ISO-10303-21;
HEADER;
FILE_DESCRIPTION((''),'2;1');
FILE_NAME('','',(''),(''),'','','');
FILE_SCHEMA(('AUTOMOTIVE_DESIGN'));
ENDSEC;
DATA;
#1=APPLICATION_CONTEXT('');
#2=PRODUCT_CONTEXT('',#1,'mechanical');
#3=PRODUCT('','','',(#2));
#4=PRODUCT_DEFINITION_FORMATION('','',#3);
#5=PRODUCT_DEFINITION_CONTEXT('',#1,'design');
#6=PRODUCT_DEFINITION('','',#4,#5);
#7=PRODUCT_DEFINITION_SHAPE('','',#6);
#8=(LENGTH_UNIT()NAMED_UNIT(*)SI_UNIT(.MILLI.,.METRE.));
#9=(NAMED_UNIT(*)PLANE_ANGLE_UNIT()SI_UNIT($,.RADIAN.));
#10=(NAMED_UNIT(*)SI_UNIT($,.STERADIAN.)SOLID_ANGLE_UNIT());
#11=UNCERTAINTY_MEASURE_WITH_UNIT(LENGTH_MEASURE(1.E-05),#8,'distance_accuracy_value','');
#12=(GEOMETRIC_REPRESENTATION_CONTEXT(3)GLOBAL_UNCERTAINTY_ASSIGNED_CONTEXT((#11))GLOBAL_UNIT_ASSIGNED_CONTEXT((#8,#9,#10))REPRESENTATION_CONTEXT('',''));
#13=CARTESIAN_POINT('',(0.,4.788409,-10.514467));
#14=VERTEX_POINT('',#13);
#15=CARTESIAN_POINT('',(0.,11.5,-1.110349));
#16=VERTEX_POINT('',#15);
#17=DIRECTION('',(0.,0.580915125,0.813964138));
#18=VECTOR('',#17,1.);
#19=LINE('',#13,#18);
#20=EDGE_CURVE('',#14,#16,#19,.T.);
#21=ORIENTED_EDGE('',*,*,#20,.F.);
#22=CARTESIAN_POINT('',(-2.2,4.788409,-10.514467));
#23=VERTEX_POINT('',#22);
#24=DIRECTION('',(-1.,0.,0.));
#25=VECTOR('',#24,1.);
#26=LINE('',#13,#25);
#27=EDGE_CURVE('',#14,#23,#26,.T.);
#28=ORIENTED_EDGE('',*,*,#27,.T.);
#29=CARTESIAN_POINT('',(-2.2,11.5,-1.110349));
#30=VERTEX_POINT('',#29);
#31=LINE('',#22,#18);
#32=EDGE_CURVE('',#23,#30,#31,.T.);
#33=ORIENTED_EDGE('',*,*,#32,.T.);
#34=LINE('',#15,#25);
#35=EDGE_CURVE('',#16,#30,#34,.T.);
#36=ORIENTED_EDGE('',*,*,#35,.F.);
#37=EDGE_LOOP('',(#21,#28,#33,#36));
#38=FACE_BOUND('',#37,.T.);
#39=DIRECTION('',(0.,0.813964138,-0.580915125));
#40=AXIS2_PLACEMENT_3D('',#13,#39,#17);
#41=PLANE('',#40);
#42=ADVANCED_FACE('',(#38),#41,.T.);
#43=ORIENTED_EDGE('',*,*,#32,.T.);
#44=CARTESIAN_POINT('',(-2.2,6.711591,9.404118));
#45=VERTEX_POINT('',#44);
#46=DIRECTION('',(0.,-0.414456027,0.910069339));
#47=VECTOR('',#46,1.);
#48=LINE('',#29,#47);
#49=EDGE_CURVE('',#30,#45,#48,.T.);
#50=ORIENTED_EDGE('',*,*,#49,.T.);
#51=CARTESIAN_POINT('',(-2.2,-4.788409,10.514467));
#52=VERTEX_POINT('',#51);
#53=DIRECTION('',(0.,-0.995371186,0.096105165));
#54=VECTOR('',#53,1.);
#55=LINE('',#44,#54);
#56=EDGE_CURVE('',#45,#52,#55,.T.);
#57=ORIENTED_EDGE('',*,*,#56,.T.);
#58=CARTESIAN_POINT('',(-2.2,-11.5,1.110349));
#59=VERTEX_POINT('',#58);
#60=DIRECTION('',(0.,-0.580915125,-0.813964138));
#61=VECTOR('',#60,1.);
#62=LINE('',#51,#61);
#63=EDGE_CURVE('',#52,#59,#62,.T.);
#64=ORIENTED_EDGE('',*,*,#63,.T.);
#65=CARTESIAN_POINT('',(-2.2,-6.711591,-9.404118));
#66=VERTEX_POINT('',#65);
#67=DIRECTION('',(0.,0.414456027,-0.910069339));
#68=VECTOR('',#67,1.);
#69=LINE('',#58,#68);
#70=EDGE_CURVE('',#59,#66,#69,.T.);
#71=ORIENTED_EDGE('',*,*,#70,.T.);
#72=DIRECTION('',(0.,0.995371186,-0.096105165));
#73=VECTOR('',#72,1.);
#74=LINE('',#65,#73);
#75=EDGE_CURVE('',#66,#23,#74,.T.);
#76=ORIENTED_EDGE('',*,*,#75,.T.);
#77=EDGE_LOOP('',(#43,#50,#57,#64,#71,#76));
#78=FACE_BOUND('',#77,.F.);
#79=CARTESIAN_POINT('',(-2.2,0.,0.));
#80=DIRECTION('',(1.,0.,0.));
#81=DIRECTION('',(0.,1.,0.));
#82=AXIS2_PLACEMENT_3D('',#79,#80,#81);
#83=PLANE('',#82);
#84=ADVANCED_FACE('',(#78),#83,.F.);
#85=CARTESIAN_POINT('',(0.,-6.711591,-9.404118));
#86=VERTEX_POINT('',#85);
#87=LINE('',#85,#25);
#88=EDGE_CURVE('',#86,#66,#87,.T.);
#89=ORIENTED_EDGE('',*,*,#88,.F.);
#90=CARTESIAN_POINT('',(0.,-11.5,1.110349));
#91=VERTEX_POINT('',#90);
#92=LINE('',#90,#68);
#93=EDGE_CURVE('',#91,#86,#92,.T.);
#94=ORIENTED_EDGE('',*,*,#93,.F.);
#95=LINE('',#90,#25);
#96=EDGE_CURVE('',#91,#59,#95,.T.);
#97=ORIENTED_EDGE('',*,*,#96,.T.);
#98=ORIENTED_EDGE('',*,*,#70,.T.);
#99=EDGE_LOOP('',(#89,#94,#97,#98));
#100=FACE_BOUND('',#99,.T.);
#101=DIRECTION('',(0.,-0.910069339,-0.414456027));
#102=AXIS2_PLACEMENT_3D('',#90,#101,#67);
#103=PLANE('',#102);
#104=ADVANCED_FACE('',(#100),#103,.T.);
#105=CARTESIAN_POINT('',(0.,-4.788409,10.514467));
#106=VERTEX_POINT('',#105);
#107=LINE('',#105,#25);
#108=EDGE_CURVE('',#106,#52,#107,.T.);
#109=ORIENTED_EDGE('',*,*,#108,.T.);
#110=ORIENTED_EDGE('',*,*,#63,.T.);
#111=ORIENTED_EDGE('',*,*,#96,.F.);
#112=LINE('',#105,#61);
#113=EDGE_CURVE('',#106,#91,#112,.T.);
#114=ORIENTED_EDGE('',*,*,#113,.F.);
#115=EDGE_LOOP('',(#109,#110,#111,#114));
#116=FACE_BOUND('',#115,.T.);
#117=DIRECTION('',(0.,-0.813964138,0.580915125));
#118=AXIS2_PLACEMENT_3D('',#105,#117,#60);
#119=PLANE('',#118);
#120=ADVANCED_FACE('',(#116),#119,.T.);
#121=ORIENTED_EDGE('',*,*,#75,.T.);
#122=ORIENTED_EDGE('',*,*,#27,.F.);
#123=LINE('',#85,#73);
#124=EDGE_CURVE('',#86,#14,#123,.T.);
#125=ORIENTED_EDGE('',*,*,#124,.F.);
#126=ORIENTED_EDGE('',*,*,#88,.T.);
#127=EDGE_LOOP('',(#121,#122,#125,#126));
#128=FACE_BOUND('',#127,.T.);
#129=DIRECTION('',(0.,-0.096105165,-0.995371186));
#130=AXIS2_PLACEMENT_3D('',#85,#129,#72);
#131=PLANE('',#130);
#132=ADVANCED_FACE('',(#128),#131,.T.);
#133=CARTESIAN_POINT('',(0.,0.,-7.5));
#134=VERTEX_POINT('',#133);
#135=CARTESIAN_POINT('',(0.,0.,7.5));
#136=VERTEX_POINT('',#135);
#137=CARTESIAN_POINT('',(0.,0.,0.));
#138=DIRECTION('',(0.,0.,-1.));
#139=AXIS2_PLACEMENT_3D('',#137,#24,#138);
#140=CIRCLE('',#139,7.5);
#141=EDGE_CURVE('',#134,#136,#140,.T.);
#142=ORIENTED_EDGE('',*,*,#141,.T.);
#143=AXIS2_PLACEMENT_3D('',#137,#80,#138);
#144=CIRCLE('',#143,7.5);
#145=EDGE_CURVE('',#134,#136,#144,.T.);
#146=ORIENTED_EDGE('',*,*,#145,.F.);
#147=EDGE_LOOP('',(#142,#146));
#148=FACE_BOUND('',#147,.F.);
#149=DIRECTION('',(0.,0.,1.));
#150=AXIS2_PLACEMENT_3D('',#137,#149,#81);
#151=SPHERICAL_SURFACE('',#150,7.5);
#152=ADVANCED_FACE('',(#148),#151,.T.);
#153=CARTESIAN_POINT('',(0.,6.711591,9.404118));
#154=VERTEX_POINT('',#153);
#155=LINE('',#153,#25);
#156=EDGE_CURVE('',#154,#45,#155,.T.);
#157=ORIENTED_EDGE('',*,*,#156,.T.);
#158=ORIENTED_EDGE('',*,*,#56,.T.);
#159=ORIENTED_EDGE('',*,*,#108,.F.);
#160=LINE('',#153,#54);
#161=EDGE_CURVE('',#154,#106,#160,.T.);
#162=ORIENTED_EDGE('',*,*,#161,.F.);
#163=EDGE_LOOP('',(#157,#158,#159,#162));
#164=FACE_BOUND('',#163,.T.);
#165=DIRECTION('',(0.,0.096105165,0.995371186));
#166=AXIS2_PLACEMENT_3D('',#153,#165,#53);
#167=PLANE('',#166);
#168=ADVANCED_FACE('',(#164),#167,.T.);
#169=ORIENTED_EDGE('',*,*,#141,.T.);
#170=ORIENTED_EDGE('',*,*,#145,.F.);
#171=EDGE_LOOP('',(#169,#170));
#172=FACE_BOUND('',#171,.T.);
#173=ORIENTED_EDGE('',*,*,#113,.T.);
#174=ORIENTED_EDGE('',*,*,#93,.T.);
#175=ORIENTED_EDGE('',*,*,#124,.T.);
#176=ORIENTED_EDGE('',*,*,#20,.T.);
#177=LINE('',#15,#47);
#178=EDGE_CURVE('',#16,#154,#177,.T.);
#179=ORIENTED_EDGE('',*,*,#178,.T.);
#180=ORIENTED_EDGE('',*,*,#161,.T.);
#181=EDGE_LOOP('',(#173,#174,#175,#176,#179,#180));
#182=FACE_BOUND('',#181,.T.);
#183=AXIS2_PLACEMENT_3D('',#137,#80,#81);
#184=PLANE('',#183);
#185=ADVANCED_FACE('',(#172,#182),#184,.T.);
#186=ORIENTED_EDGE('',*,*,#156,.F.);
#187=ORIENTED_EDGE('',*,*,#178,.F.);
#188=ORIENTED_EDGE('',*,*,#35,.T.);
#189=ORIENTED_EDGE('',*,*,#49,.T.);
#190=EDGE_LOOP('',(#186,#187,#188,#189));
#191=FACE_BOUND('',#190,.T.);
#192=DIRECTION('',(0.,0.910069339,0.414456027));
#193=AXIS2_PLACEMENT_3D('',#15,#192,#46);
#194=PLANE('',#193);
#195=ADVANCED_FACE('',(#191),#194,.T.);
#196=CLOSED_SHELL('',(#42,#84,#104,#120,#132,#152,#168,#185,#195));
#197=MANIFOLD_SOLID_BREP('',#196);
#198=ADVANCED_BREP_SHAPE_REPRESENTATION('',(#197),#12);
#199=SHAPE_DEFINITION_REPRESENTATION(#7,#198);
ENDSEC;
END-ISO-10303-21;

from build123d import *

# Parameters (mm, degrees)
F1_ANGLE = 180
F3_DEPTH = 2.2


with BuildPart() as f1:
    # F0 (on Right) → F1 (revolve)
    with BuildSketch(Plane.YZ):
        with BuildLine():
            ThreePointArc((0, -7.5), (7.5, 0), (0, 7.5))
            Line((0, 7.5), (0, -7.5))
        make_face()
    revolve(axis=Axis((0, 0, 0), (0, 0, -1)), revolution_arc=F1_ANGLE)

    # F2 (on Right) → F3 (join)
    with BuildSketch(Plane.YZ):
        Polygon((-4.788409, 10.514467), (-11.5, 1.110349), (-6.711591, -9.404118), (4.788409, -10.514467), (11.5, -1.110349), (6.711591, 9.404118), align=None)
    extrude(amount=-F3_DEPTH)


solid = f1.part
